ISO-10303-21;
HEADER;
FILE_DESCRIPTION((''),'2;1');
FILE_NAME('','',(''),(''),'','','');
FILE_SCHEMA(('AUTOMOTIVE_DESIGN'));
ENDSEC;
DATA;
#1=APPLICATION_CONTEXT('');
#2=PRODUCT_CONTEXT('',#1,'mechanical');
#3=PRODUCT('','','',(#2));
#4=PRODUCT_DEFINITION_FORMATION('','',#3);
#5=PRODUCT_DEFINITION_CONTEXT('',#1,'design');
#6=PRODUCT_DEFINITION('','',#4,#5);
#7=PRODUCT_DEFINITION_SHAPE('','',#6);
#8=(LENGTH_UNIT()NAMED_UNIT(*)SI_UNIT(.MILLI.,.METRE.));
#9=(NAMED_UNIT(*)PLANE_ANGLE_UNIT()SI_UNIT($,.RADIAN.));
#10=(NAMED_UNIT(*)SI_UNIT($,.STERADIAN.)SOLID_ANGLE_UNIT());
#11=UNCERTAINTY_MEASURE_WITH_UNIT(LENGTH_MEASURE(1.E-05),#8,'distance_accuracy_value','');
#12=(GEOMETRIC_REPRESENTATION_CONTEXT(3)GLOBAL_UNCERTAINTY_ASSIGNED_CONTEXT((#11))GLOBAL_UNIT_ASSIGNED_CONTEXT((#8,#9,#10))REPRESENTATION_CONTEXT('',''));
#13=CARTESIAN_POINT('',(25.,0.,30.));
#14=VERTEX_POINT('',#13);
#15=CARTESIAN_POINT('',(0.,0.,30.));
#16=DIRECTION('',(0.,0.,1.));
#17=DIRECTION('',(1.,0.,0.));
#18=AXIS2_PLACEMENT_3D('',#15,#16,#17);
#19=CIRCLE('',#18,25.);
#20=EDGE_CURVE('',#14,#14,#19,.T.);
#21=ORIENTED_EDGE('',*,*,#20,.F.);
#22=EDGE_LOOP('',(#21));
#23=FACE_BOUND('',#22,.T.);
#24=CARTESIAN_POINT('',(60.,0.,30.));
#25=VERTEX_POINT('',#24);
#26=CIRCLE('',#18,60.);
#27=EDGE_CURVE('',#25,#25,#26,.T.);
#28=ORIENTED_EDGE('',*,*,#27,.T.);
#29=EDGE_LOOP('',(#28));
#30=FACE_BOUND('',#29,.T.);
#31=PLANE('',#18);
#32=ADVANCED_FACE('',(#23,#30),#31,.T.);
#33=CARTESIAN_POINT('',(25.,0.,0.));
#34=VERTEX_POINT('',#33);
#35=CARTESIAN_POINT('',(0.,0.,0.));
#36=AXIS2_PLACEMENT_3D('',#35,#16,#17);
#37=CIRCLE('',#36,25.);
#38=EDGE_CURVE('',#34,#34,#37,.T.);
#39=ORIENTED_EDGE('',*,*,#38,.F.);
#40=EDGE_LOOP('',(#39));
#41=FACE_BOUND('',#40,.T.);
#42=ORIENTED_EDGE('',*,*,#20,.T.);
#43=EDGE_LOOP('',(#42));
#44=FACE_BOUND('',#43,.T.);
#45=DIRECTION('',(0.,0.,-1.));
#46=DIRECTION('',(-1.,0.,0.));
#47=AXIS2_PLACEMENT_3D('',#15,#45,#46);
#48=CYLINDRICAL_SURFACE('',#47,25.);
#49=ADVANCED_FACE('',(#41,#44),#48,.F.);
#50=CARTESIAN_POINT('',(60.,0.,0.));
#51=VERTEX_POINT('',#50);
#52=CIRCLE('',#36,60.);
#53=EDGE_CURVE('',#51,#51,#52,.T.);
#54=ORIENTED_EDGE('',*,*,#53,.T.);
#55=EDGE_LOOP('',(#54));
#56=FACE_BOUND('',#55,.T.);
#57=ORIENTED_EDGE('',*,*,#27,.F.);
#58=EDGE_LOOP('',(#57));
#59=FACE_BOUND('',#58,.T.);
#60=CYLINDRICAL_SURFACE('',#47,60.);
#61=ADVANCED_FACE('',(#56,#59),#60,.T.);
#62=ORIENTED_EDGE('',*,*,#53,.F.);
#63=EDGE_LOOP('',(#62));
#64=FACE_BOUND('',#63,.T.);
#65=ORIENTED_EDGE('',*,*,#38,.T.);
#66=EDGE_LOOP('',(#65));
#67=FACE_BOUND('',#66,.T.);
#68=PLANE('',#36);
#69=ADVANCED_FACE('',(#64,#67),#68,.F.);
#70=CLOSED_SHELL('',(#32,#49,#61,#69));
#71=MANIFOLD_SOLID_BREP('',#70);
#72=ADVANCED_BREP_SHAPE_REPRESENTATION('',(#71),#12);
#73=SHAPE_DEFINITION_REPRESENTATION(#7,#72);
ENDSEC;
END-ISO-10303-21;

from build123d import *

# Parameters (mm, degrees)
SKETCH_8_R      = 60
SKETCH_8_R_2    = 25
EXTRUDE_1_DEPTH = 30


with BuildPart() as part:
    # 草图8 → 凸台-拉伸1 (new body)
    with BuildSketch(Plane.XY):
        Circle(SKETCH_8_R)
        Circle(SKETCH_8_R_2, mode=Mode.SUBTRACT)
    extrude(amount=EXTRUDE_1_DEPTH)


solid = part.part
